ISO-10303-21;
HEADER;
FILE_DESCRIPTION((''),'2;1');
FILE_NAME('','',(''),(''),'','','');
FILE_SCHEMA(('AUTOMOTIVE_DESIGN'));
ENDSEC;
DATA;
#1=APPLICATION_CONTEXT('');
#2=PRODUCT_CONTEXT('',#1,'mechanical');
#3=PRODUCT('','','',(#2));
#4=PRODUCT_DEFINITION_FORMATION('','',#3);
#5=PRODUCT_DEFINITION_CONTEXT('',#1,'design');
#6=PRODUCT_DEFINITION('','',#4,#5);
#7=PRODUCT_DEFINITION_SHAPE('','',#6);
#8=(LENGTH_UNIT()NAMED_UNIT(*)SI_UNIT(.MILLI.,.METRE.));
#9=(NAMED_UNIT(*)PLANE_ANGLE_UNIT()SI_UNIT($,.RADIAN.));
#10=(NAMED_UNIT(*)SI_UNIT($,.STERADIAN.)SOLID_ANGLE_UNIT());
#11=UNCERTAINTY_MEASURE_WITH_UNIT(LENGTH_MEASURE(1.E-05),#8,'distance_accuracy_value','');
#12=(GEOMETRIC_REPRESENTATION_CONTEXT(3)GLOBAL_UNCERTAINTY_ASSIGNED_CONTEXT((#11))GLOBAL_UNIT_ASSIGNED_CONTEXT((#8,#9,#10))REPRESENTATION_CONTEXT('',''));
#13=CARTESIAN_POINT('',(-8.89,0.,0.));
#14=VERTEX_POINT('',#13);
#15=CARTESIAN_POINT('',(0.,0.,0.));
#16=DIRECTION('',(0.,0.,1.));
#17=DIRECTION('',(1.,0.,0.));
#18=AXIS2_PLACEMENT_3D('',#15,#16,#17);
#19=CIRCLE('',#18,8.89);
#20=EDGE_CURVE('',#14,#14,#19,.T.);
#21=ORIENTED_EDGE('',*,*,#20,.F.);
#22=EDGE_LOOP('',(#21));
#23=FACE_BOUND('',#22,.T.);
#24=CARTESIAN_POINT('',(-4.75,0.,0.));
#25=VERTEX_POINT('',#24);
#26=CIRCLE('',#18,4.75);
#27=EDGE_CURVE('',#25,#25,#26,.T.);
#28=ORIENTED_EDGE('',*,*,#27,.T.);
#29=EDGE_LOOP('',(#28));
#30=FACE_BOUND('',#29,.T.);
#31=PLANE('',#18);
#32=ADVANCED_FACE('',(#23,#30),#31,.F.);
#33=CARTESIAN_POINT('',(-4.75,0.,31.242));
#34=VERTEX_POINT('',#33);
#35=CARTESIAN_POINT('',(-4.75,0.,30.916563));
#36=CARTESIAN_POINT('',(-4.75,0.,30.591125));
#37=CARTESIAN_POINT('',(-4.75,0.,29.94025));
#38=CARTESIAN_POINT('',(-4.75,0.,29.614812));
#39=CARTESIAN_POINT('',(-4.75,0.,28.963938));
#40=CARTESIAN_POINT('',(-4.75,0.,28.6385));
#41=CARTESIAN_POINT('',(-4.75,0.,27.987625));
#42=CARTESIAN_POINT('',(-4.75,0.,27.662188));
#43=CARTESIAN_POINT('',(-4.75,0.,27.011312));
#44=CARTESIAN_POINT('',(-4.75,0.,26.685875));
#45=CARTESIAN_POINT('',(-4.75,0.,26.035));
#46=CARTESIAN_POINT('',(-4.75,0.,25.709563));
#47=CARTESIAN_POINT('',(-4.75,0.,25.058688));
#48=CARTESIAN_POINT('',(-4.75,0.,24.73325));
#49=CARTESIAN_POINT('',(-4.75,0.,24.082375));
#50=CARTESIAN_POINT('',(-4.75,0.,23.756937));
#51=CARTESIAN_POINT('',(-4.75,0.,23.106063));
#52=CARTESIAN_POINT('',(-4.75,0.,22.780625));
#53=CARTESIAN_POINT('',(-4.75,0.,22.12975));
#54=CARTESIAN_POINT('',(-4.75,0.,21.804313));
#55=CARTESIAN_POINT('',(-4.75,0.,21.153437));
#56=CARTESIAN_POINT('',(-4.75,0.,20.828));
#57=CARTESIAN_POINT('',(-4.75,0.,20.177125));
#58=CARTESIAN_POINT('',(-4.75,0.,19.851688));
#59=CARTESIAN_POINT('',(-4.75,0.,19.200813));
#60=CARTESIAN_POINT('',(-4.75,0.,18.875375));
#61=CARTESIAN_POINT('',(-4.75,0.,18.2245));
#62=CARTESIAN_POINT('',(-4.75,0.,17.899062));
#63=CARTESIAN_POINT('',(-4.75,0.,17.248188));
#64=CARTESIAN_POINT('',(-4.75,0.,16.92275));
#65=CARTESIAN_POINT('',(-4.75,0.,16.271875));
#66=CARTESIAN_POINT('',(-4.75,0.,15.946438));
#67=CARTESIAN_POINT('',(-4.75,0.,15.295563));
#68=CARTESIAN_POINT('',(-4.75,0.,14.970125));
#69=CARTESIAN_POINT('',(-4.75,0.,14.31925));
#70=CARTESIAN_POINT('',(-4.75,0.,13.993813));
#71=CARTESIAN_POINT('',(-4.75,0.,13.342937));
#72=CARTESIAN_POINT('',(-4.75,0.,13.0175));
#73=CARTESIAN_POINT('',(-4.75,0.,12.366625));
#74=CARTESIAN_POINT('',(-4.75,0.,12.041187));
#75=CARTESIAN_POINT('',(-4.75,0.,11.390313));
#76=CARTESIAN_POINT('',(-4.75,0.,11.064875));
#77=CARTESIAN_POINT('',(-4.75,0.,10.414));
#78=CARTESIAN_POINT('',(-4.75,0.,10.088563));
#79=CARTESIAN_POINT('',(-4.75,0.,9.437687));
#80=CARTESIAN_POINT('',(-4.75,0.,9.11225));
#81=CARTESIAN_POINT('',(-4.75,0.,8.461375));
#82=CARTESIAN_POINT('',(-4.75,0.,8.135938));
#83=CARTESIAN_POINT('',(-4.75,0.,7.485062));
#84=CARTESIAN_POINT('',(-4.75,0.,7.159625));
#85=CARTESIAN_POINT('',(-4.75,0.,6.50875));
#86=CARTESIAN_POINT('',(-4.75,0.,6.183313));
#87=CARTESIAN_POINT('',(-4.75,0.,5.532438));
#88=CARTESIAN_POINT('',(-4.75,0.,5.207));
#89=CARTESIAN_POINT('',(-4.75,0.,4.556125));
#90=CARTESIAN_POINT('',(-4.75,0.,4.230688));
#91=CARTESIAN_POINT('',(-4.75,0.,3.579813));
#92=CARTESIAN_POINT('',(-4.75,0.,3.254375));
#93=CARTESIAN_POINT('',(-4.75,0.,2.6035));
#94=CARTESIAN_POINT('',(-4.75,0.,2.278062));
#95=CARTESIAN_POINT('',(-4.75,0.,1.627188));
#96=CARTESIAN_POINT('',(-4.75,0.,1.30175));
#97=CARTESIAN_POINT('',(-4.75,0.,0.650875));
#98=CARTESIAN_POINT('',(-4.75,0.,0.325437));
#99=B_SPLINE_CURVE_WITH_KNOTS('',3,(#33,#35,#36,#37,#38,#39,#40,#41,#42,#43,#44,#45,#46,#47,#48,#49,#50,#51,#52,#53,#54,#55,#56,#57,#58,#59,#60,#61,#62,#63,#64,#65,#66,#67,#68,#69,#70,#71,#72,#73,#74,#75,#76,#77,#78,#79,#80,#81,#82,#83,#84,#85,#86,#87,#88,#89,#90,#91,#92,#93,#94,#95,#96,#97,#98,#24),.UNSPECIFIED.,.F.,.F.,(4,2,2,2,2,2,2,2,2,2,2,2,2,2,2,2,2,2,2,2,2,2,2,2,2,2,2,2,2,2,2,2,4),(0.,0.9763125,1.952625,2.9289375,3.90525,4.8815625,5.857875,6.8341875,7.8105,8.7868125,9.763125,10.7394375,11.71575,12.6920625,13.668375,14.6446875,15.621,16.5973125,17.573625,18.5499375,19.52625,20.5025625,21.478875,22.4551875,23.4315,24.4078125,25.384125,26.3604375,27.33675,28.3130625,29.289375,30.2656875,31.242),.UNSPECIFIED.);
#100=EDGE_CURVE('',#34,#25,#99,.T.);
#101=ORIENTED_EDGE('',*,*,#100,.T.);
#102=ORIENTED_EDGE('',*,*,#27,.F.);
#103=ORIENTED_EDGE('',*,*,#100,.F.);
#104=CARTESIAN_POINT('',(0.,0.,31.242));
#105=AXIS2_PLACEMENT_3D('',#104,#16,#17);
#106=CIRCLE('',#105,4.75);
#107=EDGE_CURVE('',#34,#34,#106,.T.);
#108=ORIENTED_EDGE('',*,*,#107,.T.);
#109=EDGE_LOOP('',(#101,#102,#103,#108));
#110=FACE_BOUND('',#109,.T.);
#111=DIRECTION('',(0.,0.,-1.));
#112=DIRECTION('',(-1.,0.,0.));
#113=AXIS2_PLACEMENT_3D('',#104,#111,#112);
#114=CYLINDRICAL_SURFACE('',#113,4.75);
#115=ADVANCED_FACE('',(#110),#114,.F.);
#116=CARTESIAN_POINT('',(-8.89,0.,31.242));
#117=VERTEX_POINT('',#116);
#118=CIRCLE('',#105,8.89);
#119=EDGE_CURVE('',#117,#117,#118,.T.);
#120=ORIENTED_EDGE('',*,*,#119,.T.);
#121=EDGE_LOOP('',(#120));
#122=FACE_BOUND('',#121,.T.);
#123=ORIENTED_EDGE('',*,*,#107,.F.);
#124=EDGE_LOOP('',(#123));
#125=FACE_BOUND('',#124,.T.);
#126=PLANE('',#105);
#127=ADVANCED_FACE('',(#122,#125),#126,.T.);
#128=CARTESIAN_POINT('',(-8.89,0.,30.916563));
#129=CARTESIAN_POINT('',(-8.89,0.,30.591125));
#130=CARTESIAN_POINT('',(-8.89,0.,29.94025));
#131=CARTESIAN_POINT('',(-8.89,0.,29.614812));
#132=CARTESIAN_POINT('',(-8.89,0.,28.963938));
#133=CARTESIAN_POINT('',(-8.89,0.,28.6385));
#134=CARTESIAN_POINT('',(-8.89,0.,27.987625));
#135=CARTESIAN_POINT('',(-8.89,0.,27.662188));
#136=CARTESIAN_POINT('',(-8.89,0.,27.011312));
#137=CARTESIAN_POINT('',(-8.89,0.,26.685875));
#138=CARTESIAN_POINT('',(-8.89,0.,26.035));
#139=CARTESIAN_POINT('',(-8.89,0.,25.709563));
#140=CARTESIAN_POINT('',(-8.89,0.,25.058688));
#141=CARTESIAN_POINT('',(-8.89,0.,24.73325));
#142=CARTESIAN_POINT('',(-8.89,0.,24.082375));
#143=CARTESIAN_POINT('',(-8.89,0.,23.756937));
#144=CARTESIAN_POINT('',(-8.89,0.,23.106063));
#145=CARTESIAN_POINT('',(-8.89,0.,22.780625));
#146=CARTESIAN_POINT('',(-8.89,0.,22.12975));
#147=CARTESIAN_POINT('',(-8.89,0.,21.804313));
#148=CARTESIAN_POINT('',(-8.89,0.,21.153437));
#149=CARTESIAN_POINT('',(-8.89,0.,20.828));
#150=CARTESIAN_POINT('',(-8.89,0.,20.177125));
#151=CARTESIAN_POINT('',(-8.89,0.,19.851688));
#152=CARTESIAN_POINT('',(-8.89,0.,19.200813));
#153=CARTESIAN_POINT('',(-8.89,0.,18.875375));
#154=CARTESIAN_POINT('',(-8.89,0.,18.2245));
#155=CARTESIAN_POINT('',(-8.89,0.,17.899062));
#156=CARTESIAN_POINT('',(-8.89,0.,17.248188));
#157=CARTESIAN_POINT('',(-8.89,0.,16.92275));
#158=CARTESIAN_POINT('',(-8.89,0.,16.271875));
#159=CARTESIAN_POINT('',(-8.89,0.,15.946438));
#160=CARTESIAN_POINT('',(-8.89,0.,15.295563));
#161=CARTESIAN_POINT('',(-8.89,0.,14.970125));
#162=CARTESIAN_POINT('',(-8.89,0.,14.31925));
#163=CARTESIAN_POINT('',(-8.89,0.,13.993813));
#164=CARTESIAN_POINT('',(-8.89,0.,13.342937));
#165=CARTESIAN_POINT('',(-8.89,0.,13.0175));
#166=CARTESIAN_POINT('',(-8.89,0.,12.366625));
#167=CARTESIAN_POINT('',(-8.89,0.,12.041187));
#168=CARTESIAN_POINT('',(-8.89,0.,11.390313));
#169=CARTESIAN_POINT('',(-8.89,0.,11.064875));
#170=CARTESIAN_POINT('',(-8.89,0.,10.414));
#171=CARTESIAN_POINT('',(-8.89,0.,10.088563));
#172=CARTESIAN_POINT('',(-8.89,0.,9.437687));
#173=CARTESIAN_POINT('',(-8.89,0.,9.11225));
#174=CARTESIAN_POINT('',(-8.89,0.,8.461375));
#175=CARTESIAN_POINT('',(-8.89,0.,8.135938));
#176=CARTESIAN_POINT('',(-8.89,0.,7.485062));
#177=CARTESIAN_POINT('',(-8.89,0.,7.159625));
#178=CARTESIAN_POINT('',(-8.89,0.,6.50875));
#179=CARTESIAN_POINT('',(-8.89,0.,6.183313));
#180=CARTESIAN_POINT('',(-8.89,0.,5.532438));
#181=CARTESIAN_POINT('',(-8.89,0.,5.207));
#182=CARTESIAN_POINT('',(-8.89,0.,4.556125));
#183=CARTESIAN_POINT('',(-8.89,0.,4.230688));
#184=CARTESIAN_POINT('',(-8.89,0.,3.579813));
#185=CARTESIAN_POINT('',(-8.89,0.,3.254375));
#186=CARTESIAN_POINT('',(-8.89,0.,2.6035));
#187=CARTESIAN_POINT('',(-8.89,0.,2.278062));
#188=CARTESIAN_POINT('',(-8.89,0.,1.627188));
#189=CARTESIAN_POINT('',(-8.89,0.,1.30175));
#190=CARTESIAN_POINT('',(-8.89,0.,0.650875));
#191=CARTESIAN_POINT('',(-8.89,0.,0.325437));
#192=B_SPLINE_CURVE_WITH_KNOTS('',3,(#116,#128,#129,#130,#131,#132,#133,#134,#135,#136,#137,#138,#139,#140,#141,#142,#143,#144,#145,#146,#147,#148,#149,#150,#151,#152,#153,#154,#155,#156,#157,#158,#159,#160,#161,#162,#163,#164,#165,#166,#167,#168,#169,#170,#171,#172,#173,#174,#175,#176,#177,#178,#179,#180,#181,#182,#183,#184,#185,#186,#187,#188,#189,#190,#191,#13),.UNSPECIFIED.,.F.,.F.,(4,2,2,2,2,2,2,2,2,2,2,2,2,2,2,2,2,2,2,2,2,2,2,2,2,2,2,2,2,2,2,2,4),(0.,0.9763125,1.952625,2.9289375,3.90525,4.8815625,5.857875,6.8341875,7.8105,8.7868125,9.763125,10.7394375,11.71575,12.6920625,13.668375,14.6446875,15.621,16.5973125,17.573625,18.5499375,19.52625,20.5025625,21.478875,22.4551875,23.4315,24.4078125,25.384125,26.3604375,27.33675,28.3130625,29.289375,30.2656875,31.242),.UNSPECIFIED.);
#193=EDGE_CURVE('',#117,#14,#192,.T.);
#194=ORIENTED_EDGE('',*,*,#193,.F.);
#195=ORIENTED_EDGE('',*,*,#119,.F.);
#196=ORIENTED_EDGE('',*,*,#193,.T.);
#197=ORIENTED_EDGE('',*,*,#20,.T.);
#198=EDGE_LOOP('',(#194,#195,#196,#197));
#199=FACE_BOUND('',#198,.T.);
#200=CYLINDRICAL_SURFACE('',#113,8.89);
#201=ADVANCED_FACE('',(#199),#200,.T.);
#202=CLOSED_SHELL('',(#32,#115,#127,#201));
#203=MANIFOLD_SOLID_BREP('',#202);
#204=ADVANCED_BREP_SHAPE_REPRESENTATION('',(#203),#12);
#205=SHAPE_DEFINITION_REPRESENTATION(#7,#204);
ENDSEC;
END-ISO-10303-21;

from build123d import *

# Parameters (mm, degrees)
SKETCH1_R           = 8.89
SKETCH1_R_2         = 4.750000017
BOSS_EXTRUDE1_DEPTH = 31.242


with BuildPart() as part:
    # Sketch1 → Boss-Extrude1 (new body)
    with BuildSketch(Plane.XY):
        with Locations(Location((0, 0, 0), (0, 0, 180))):
            Circle(SKETCH1_R)
        with Locations(Location((0, 0, 0), (0, 0, 180))):
            Circle(SKETCH1_R_2, mode=Mode.SUBTRACT)
    extrude(amount=BOSS_EXTRUDE1_DEPTH)


solid = part.part
